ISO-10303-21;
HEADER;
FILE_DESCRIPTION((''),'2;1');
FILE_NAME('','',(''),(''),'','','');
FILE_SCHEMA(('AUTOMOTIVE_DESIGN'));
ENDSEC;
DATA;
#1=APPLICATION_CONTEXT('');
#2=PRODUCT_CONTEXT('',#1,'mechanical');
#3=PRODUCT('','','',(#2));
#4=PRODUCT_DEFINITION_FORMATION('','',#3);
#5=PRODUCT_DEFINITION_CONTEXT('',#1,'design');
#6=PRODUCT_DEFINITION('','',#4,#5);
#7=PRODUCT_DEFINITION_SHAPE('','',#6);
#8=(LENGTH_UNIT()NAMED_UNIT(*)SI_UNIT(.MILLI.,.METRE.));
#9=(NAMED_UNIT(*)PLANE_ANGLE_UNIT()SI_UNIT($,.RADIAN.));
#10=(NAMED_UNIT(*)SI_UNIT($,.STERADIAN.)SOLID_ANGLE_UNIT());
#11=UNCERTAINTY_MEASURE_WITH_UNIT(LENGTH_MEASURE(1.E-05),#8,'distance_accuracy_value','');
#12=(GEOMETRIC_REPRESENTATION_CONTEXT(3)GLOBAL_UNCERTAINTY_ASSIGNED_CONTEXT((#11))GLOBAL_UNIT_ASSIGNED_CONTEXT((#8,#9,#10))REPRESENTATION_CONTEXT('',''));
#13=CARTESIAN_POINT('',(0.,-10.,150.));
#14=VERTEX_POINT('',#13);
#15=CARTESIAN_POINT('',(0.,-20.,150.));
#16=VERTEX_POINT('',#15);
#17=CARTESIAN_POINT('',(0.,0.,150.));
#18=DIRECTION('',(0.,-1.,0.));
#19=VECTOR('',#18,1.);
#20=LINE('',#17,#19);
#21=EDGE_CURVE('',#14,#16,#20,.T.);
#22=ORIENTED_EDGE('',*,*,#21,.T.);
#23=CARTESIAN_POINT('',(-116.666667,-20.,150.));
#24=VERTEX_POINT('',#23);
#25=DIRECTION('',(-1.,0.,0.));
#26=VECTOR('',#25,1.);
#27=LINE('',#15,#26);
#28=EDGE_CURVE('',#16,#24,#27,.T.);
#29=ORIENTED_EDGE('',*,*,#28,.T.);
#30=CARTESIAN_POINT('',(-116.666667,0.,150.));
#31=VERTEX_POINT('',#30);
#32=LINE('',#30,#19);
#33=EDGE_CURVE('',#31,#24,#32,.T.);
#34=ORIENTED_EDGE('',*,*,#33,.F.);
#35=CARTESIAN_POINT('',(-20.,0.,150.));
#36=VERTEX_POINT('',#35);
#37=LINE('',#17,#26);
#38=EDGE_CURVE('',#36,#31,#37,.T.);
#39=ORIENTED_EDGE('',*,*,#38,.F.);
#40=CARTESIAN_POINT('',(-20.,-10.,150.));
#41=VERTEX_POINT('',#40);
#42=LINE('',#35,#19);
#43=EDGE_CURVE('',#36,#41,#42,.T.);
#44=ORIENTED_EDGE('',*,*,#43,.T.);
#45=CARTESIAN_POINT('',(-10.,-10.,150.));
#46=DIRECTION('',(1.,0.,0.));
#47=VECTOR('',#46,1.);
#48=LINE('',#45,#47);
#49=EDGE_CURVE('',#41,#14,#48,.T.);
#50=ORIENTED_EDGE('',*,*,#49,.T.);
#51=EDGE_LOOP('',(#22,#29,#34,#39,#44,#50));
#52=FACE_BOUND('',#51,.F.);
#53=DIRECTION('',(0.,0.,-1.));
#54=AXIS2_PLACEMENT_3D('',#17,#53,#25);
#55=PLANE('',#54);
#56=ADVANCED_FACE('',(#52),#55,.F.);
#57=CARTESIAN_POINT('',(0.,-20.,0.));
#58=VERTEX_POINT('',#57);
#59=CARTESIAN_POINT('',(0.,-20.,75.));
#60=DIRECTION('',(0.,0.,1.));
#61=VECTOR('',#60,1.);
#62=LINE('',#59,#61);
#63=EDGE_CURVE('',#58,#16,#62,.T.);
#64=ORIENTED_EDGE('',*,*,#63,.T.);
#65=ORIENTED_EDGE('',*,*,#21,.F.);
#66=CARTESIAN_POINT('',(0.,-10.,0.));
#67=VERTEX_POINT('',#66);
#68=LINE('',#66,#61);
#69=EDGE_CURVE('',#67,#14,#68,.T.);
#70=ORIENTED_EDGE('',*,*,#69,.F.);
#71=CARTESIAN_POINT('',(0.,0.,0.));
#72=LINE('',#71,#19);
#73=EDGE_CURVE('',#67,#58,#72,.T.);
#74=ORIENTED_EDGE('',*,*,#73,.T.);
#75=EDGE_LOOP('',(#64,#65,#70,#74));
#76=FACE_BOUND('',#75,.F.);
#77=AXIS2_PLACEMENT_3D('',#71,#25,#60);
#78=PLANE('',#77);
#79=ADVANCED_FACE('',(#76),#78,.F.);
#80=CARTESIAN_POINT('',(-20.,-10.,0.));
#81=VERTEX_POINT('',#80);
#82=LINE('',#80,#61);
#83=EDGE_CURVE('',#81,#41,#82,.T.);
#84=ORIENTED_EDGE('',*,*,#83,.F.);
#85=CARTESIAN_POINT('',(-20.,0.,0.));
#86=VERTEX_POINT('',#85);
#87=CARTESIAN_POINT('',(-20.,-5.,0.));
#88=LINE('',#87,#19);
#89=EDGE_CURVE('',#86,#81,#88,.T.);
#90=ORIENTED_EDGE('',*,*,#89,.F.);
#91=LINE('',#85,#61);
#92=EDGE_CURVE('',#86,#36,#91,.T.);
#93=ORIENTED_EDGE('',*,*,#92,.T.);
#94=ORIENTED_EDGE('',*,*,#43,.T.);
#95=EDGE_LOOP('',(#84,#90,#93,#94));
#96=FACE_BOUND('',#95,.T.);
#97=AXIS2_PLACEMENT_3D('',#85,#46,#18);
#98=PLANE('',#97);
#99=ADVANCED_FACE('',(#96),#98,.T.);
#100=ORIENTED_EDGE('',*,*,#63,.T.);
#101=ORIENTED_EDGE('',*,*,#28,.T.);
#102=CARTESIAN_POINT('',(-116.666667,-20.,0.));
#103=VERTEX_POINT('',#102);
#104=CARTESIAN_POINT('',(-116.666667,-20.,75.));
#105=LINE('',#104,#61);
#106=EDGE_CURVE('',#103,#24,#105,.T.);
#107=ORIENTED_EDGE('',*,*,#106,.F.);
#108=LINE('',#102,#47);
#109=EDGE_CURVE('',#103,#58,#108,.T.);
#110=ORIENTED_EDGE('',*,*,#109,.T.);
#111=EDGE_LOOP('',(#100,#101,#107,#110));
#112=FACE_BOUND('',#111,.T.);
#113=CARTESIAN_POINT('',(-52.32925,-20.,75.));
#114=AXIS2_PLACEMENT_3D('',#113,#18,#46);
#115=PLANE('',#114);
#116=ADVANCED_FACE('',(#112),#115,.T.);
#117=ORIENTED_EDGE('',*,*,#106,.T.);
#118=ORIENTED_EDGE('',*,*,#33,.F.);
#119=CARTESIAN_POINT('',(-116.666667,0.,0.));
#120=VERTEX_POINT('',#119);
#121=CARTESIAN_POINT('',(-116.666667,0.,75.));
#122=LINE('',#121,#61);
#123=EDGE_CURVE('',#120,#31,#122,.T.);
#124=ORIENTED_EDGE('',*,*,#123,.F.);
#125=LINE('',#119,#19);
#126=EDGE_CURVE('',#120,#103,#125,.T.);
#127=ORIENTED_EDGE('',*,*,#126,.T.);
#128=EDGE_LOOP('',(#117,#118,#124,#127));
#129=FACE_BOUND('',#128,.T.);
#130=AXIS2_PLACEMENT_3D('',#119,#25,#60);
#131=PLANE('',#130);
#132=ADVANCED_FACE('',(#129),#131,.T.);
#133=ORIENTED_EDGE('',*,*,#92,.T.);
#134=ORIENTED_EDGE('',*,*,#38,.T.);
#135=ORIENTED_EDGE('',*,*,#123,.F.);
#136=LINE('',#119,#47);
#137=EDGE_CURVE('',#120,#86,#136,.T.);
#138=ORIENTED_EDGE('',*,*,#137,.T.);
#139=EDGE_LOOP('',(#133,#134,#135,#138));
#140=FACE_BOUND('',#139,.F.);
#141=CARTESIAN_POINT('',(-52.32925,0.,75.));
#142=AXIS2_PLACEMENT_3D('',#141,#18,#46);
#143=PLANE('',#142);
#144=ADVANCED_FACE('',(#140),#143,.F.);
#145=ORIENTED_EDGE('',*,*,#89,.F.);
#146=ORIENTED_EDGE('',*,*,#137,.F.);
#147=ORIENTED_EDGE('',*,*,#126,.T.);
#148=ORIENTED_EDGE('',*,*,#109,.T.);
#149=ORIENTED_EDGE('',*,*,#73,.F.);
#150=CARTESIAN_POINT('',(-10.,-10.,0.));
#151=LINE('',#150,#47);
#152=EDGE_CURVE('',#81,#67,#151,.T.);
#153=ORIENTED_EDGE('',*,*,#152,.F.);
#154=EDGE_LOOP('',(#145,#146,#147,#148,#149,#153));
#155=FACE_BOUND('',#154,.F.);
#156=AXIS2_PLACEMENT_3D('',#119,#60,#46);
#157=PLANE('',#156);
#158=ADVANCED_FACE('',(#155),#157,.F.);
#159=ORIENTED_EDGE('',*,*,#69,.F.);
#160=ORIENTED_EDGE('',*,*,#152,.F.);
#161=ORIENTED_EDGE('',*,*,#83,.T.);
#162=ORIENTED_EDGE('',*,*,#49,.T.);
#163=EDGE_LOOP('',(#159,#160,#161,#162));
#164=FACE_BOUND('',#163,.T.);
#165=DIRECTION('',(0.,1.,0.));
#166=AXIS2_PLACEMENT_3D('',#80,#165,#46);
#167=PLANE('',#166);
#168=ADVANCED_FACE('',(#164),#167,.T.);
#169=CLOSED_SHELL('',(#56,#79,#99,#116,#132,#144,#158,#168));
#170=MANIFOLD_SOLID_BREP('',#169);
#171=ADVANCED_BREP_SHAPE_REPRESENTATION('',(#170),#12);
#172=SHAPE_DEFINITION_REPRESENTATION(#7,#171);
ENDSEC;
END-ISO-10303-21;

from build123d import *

# Parameters (mm, degrees)
F0_W     = 104.6584993601
F0_H     = 150
F0_W_2   = 12.0081673066
F1_DEPTH = 20
F2_W     = 20
F2_H     = 10
F3_DEPTH = 180


with BuildPart() as f1:
    # F0 (on Front) → F1 (new body)
    with BuildSketch(Plane.XZ):
        with Locations((-52.32924968, 75)):
            Rectangle(F0_W, F0_H)
        with Locations((-110.6625830134, 75)):
            Rectangle(F0_W_2, F0_H)
    extrude(amount=F1_DEPTH)

    # F2 (on face) → F3 (cut)
    with BuildSketch(Plane(origin=(0, 0, 0), x_dir=(1, 0, 0), z_dir=(0, 0, -1))):
        with Locations((-10, 5)):
            Rectangle(F2_W, F2_H)
    extrude(amount=-F3_DEPTH, mode=Mode.SUBTRACT)


solid = f1.part
